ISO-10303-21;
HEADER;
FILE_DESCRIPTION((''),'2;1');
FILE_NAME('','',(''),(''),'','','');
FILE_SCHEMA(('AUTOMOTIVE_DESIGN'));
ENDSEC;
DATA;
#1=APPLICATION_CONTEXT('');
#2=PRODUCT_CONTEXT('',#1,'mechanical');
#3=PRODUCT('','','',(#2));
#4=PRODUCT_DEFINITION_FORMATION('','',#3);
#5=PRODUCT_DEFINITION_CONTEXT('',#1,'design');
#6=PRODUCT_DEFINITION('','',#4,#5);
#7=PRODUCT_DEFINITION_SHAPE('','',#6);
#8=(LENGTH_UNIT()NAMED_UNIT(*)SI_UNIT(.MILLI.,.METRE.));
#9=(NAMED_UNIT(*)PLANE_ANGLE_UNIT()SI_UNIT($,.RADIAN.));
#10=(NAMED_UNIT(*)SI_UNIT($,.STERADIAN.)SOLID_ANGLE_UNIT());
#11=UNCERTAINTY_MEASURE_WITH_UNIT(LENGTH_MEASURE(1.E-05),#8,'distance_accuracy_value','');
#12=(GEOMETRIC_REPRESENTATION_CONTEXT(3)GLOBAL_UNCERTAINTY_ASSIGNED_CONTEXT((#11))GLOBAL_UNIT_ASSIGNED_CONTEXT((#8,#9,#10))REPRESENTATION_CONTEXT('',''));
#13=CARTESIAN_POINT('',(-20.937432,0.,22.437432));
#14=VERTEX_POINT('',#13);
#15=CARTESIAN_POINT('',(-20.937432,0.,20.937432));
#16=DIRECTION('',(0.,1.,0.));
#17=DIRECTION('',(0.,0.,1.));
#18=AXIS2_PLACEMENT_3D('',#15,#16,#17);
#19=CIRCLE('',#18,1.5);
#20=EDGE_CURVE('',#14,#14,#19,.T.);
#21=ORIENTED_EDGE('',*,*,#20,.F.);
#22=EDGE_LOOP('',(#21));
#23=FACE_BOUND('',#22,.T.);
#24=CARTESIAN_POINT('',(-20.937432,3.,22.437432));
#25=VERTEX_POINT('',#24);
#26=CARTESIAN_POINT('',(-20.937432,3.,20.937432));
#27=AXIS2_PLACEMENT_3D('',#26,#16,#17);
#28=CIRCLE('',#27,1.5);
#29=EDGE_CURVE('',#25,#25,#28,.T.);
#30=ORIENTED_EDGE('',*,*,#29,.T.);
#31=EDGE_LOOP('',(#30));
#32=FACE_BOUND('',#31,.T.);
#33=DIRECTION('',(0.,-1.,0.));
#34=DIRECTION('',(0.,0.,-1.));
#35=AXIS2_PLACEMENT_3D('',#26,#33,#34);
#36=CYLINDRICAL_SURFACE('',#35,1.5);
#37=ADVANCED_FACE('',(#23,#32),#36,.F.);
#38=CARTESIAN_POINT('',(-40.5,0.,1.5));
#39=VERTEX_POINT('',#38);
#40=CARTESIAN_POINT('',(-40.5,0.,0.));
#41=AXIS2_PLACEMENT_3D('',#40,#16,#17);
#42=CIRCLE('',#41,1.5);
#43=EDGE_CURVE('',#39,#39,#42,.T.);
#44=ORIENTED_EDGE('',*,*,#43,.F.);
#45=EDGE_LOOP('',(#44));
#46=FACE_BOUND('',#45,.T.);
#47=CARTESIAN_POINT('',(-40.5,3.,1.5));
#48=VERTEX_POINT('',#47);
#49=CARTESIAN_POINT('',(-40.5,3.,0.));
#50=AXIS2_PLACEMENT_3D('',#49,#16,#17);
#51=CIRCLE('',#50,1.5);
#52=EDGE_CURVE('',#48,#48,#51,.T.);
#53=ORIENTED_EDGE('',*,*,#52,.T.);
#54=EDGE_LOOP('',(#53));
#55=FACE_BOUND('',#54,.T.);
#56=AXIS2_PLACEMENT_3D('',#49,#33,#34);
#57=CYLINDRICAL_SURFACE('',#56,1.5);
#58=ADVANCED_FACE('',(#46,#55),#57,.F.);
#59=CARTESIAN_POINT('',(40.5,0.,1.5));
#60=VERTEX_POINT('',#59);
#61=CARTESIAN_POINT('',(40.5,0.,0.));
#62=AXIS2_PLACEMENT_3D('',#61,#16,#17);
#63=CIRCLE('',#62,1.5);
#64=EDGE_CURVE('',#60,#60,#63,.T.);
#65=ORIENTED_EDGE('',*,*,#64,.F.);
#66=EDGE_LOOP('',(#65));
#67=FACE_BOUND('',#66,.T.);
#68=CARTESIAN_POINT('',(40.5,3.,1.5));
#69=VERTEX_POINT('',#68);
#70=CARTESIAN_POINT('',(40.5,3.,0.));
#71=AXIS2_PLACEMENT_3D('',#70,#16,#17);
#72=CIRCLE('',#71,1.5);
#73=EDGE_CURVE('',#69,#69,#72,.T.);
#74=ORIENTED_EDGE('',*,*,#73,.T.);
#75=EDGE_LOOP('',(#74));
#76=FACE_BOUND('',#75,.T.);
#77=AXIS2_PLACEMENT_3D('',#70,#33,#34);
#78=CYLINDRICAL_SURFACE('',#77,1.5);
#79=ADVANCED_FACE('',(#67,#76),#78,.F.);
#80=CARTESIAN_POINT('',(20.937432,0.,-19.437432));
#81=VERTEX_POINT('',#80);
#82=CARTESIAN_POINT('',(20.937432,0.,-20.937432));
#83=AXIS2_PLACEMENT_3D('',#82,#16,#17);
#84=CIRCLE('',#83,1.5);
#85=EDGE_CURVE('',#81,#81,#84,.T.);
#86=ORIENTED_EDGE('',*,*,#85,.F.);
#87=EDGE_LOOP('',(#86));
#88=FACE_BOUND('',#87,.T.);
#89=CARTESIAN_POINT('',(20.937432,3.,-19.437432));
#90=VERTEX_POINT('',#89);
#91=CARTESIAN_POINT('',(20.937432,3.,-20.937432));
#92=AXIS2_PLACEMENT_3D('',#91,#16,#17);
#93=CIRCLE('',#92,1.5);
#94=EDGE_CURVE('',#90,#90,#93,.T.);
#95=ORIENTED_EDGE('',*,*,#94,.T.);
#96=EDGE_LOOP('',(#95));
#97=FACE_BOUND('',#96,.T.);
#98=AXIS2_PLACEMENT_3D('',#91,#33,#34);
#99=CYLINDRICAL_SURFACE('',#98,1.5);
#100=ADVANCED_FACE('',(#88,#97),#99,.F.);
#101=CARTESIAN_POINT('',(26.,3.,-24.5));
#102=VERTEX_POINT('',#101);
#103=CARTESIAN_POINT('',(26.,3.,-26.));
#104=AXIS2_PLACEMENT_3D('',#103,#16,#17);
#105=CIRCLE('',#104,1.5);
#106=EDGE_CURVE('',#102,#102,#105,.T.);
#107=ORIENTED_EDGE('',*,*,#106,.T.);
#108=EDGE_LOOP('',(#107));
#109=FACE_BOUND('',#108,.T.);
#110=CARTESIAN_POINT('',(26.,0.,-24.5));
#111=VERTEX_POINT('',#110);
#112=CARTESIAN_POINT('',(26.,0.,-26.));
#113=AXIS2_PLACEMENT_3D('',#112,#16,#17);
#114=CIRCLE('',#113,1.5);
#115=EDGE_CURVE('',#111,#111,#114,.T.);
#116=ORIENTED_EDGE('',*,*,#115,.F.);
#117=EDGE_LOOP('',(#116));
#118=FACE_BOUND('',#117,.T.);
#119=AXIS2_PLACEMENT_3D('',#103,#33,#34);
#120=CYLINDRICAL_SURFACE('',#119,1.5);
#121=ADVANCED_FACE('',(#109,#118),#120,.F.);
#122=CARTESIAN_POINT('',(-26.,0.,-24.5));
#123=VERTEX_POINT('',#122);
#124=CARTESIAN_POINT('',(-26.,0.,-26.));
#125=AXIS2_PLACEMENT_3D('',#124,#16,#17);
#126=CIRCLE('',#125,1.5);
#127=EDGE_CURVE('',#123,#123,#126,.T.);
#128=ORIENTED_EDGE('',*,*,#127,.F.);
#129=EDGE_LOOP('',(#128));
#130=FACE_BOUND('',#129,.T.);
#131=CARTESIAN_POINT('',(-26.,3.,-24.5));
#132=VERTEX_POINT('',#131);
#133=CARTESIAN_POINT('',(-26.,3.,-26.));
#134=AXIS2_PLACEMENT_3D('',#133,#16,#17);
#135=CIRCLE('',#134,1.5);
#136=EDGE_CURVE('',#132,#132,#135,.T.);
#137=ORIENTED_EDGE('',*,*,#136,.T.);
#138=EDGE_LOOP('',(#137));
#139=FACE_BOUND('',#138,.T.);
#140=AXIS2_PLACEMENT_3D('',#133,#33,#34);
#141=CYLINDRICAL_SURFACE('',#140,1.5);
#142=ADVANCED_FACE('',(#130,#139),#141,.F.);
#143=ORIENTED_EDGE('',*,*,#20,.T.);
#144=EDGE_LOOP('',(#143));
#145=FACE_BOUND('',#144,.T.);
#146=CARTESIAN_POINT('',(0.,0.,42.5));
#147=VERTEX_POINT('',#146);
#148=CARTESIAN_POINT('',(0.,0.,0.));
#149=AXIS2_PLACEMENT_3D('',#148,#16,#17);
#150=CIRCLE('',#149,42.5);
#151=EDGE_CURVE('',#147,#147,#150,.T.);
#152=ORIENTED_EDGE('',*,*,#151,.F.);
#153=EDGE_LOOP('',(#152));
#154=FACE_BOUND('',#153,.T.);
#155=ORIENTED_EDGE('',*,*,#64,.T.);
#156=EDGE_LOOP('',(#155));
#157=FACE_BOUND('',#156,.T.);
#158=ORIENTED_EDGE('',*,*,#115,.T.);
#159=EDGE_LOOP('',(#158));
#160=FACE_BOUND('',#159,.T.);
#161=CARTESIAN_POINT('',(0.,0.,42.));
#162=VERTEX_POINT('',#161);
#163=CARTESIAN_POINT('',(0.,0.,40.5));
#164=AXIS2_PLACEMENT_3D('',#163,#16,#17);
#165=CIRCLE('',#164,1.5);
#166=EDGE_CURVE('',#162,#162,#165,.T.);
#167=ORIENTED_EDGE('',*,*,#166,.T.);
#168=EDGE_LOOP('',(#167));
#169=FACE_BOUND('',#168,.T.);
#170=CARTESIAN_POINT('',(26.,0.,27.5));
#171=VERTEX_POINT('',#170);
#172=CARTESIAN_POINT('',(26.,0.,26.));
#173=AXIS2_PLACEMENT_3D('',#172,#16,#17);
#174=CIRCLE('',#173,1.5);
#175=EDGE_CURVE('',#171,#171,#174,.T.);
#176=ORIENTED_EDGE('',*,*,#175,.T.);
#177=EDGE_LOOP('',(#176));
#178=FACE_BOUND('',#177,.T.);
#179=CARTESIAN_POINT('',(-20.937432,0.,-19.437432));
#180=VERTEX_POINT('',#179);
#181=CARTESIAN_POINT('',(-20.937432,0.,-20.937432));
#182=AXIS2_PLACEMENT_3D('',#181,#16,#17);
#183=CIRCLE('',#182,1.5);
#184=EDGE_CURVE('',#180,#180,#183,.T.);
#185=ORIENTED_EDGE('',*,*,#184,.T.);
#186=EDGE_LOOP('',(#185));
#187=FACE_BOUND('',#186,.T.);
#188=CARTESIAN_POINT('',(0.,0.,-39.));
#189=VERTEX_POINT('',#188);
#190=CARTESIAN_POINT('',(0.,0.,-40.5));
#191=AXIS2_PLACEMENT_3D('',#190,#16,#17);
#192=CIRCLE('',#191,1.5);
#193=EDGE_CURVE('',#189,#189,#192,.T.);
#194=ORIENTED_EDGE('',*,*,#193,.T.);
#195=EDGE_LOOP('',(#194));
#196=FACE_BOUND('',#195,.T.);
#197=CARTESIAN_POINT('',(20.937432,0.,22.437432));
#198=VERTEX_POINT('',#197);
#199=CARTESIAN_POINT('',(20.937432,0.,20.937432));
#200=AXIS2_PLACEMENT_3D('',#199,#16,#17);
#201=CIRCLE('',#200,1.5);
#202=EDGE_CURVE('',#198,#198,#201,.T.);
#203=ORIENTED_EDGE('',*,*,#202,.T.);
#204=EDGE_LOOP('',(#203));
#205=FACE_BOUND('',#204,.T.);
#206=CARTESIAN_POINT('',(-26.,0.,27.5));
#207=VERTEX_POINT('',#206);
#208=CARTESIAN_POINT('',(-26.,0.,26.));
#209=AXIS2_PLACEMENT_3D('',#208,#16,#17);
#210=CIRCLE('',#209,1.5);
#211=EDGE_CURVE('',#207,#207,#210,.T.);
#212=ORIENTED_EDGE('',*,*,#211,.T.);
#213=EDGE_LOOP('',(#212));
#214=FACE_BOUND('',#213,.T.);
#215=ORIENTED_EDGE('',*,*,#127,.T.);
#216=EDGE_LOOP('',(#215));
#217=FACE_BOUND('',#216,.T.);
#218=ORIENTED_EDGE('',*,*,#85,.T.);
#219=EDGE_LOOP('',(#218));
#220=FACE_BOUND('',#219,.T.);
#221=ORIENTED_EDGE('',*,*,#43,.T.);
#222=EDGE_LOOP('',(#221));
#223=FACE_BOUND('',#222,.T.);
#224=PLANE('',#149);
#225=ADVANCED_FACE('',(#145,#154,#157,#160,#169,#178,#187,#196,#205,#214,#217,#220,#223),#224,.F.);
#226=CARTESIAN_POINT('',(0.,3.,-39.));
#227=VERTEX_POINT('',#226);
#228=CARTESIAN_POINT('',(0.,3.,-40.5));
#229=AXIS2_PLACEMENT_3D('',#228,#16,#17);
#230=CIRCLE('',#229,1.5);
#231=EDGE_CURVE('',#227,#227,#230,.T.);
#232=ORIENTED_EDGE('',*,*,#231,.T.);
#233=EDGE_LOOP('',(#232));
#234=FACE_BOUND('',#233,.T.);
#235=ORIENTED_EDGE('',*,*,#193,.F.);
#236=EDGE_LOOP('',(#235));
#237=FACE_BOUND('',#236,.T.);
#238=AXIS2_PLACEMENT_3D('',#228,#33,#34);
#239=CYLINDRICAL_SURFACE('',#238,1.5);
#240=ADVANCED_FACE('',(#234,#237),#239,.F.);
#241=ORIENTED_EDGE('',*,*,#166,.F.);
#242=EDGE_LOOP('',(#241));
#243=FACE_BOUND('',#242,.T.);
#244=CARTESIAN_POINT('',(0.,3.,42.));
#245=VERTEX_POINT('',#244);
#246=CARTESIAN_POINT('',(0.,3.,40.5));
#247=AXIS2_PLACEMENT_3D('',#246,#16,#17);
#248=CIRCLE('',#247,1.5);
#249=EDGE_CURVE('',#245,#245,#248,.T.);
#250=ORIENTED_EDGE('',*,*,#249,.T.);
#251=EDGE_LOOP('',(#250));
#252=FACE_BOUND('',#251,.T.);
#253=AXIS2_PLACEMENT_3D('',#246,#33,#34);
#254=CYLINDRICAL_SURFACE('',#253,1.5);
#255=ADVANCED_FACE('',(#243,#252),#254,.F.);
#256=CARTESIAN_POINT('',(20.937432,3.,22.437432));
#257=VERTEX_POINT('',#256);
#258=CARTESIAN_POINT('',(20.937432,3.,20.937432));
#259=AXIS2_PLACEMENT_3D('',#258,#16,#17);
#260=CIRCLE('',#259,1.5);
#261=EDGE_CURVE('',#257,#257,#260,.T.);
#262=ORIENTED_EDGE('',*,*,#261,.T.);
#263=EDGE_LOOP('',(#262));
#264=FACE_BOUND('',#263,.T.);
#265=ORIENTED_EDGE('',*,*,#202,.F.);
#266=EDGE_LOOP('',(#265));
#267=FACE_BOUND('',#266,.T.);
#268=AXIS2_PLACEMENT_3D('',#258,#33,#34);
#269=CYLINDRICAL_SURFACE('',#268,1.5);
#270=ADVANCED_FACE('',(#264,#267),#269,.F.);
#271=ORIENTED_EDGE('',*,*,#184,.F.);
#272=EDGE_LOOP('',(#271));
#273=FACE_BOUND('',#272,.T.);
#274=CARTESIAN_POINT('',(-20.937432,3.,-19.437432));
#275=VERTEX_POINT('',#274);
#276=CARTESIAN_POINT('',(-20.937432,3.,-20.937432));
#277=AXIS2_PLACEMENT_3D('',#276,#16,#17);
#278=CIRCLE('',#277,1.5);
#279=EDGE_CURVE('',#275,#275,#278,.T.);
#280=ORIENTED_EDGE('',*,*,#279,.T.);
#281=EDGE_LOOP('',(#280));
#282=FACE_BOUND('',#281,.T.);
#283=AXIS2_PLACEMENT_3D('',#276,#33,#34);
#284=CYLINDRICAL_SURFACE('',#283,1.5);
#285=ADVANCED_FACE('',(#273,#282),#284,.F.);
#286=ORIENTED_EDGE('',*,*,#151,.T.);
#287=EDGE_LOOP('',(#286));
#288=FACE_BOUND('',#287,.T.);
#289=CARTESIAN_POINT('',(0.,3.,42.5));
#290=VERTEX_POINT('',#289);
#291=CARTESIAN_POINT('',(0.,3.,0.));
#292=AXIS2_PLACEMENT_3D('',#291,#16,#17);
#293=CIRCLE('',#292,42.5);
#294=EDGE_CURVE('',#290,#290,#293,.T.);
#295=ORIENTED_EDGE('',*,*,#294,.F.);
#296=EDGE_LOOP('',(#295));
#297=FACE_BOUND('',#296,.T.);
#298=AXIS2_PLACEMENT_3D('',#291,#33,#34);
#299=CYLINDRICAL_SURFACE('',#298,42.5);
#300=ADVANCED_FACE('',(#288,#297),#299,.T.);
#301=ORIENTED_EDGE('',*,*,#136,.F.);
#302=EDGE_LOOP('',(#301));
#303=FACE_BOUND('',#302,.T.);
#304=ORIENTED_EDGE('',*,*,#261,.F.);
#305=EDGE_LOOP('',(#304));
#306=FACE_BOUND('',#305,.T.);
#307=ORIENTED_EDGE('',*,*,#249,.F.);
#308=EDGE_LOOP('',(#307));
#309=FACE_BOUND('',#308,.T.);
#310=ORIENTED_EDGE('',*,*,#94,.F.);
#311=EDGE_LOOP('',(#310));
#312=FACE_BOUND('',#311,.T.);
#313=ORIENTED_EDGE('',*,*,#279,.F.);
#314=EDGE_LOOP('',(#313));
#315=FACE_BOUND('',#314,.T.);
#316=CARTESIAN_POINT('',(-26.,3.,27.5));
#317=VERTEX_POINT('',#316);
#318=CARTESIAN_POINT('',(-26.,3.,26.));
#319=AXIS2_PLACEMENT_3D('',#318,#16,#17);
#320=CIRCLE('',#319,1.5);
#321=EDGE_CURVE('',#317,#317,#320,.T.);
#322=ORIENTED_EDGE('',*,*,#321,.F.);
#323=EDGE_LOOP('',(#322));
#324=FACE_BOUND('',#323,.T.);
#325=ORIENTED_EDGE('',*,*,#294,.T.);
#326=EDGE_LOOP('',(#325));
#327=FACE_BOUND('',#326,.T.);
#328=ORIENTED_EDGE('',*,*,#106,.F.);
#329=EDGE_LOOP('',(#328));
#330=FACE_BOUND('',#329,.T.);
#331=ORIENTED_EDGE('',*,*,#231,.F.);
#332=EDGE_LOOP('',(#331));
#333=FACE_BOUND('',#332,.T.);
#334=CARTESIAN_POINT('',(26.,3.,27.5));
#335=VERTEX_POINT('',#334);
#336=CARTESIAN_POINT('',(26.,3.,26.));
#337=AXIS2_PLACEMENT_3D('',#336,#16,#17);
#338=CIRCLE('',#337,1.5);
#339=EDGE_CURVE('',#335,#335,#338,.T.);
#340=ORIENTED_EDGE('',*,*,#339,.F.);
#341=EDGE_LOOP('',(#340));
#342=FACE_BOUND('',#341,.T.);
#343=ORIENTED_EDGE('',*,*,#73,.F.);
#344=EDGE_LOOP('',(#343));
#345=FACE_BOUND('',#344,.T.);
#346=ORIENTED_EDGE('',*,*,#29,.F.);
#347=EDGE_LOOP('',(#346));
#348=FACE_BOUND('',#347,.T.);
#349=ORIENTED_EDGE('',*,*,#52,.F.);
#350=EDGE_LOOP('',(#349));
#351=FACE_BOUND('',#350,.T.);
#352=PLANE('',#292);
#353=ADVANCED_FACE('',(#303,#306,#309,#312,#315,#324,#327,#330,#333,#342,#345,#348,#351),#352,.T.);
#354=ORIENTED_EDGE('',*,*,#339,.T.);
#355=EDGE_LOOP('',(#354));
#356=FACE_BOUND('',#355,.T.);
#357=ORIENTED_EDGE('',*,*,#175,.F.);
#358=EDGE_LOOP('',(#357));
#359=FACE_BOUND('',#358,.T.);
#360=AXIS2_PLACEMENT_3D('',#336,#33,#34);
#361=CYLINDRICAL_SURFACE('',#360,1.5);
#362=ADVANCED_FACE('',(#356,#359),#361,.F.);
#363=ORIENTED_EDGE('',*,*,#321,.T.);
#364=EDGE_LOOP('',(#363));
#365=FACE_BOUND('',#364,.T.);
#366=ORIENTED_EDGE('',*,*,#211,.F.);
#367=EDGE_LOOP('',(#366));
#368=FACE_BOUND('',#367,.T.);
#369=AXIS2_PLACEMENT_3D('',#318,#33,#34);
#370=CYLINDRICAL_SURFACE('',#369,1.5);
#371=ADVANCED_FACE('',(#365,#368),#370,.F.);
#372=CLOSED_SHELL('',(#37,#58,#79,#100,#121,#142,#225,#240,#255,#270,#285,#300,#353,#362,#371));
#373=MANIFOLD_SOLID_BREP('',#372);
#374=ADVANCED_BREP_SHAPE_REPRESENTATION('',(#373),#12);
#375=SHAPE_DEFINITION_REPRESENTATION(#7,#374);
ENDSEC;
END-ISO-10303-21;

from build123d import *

# Parameters (mm, degrees)
SKETCH_1_R      = 42.5
SKETCH_1_R_2    = 1.5
EXTRUDE_1_DEPTH = 3


with BuildPart() as part:
    # 草图1 → 凸台-拉伸1 (new body)
    with BuildSketch(Plane(origin=(0, 0, 0), x_dir=(1, 0, 0), z_dir=(0, 1, 0))):
        with Locations(Location((0, 0, 0), (0, 0, 270))):
            Circle(SKETCH_1_R)
        with Locations(Location((-26, 26, 0), (0, 0, 270))):
            Circle(SKETCH_1_R_2, mode=Mode.SUBTRACT)
        with Locations(Location((26, 26, 0), (0, 0, 270))):
            Circle(SKETCH_1_R_2, mode=Mode.SUBTRACT)
        with Locations(Location((26, -26, 0), (0, 0, 270))):
            Circle(SKETCH_1_R_2, mode=Mode.SUBTRACT)
        with Locations(Location((-26, -26, 0), (0, 0, 270))):
            Circle(SKETCH_1_R_2, mode=Mode.SUBTRACT)
        with Locations(Location((0, 40.5, 0), (0, 0, 270))):
            Circle(SKETCH_1_R_2, mode=Mode.SUBTRACT)
        with Locations(Location((40.5, 0, 0), (0, 0, 270))):
            Circle(SKETCH_1_R_2, mode=Mode.SUBTRACT)
        with Locations(Location((0, -40.5, 0), (0, 0, 270))):
            Circle(SKETCH_1_R_2, mode=Mode.SUBTRACT)
        with Locations(Location((-40.5, 0, 0), (0, 0, 270))):
            Circle(SKETCH_1_R_2, mode=Mode.SUBTRACT)
        with Locations(Location((-20.937431791, 20.937431791, 0), (0, 0, 270))):
            Circle(SKETCH_1_R_2, mode=Mode.SUBTRACT)
        with Locations(Location((20.937431791, 20.937431791, 0), (0, 0, 270))):
            Circle(SKETCH_1_R_2, mode=Mode.SUBTRACT)
        with Locations(Location((20.937431791, -20.937431791, 0), (0, 0, 270))):
            Circle(SKETCH_1_R_2, mode=Mode.SUBTRACT)
        with Locations(Location((-20.937431791, -20.937431791, 0), (0, 0, 270))):
            Circle(SKETCH_1_R_2, mode=Mode.SUBTRACT)
    extrude(amount=EXTRUDE_1_DEPTH)


solid = part.part
